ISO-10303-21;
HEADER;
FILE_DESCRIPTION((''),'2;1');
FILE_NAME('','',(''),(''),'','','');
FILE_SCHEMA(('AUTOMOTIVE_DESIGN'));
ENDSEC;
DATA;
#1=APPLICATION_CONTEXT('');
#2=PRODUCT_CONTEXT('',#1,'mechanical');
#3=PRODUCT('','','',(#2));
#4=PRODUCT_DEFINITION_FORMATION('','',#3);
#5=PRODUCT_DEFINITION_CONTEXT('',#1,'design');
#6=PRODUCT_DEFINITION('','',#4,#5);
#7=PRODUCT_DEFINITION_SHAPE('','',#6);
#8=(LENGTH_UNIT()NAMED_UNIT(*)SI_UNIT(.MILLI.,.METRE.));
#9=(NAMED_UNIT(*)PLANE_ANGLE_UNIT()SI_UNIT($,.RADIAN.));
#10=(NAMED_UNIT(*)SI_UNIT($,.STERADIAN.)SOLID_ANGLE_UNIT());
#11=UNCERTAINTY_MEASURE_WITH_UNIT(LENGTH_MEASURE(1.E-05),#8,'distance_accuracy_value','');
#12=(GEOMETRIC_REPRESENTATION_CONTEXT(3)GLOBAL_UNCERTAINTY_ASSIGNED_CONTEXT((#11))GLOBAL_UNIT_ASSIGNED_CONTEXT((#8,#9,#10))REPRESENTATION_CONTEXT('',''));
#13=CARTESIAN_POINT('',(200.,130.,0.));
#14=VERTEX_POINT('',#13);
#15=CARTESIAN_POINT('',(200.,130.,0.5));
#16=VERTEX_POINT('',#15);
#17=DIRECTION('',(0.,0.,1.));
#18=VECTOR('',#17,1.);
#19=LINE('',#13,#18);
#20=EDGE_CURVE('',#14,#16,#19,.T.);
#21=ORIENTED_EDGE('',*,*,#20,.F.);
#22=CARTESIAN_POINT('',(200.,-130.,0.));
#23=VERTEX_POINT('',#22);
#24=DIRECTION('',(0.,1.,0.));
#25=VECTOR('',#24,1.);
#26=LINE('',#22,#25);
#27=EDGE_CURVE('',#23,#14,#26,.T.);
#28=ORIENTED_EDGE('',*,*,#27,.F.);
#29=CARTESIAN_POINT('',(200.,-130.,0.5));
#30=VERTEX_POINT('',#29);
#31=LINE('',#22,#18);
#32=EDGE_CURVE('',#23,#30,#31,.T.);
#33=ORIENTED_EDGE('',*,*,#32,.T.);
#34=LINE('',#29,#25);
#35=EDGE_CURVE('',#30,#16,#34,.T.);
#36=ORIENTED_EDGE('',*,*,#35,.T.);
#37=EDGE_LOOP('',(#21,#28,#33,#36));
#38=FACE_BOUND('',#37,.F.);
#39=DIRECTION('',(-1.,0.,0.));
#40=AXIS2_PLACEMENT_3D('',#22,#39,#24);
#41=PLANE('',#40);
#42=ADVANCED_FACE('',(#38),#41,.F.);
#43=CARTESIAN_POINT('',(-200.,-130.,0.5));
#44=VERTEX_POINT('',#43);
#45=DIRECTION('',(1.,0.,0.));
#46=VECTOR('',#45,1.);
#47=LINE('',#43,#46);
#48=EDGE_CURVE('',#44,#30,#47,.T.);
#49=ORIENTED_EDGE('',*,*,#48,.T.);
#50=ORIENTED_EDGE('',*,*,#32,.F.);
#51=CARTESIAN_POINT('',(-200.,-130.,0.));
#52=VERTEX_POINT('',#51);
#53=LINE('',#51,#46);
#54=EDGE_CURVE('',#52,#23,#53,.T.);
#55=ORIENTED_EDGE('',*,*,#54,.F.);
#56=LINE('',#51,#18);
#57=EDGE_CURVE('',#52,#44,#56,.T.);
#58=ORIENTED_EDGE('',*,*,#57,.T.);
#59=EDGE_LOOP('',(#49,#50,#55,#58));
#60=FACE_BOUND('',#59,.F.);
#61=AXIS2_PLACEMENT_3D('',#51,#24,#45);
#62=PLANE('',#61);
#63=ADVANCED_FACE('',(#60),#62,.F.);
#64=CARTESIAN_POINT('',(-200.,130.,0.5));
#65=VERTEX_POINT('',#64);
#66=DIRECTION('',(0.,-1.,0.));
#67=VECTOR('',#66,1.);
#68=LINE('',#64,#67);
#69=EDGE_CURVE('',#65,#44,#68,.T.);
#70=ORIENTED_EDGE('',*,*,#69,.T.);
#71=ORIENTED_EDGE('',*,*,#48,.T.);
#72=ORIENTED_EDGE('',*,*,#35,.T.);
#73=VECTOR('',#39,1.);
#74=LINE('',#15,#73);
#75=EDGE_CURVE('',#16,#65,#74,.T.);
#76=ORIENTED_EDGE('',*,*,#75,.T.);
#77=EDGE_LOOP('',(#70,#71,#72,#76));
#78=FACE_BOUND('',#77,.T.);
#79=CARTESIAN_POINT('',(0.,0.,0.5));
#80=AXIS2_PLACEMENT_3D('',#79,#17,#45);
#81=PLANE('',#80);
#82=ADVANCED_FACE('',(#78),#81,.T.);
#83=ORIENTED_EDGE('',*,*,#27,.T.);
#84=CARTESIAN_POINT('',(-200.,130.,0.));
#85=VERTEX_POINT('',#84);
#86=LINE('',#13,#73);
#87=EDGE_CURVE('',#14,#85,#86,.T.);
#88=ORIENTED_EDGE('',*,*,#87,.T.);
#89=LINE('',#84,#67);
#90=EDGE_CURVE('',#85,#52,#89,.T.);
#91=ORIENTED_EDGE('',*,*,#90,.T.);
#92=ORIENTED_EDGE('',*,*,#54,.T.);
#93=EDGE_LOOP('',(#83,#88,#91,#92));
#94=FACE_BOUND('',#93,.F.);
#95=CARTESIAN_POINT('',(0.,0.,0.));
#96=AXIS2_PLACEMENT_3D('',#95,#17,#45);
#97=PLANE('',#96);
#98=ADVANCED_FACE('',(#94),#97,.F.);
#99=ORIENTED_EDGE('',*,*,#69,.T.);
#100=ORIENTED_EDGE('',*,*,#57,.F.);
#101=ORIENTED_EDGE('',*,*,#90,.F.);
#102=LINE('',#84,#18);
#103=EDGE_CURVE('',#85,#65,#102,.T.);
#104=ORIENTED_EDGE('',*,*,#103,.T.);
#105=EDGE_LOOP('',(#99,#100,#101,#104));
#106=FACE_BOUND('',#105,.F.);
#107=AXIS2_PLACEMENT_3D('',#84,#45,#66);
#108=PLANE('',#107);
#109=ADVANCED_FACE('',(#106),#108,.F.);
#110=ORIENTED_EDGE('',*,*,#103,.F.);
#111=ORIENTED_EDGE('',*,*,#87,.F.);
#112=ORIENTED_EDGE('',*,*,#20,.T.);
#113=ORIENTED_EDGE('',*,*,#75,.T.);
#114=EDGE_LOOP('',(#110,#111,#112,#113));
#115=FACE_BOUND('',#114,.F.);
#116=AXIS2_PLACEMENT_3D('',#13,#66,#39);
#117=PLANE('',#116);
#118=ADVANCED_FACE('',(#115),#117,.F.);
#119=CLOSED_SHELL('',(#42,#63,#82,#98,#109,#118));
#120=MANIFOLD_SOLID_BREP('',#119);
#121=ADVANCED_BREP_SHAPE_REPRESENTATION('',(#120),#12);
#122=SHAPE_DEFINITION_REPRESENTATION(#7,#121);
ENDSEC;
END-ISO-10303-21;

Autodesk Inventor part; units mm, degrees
ref_plane "YZ Plane" through (0, 0, 0) normal (1, 0, 0) x (0, 1, 0)
ref_plane "XZ Plane" through (0, 0, 0) normal (0, 1, 0) x (-1, 0, 0)
ref_plane "XY Plane" through (0, 0, 0) normal (0, 0, 1) x (1, 0, 0)
sketch "Sketch1" plane through (0, 0, 0) normal (0, 0, 1) x (1, 0, 0)
  line L0 (-200, -130) -> (200, -130)
  line L1 (200, -130) -> (200, 130)
  line L2 (200, 130) -> (-200, 130)
  line L3 (-200, 130) -> (-200, -130)
  line L4 (-200, -130) -> (200, 130) construction
  line L5 (200, -130) -> (-200, 130) construction
  point P0 (0, 0)
  dimension "d0" = 400
  dimension "d1" = 260
extrude "Plate1" add sketch "Sketch1" along normal blind 0.5
equation "\"BendRadius\" = Thickness"
equation "\"BendReliefWidth\" = Thickness"
equation "\"BendReliefDepth\" = 0.5 * Thickness"
equation "\"CornerReliefSize\" = 4 * Thickness"
equation "\"MinimumRemnant\" = 2 * Thickness"
equation "\"TransitionRadius\" = BendRadius"
equation "\"JacobiRadiusSize\" = BendRadius"
equation "\"GapSize\" = Thickness"
equation "\"d2\" = BendRadius"
equation "\"Thickness\" = 0.5"
properties part number "backPanel"
